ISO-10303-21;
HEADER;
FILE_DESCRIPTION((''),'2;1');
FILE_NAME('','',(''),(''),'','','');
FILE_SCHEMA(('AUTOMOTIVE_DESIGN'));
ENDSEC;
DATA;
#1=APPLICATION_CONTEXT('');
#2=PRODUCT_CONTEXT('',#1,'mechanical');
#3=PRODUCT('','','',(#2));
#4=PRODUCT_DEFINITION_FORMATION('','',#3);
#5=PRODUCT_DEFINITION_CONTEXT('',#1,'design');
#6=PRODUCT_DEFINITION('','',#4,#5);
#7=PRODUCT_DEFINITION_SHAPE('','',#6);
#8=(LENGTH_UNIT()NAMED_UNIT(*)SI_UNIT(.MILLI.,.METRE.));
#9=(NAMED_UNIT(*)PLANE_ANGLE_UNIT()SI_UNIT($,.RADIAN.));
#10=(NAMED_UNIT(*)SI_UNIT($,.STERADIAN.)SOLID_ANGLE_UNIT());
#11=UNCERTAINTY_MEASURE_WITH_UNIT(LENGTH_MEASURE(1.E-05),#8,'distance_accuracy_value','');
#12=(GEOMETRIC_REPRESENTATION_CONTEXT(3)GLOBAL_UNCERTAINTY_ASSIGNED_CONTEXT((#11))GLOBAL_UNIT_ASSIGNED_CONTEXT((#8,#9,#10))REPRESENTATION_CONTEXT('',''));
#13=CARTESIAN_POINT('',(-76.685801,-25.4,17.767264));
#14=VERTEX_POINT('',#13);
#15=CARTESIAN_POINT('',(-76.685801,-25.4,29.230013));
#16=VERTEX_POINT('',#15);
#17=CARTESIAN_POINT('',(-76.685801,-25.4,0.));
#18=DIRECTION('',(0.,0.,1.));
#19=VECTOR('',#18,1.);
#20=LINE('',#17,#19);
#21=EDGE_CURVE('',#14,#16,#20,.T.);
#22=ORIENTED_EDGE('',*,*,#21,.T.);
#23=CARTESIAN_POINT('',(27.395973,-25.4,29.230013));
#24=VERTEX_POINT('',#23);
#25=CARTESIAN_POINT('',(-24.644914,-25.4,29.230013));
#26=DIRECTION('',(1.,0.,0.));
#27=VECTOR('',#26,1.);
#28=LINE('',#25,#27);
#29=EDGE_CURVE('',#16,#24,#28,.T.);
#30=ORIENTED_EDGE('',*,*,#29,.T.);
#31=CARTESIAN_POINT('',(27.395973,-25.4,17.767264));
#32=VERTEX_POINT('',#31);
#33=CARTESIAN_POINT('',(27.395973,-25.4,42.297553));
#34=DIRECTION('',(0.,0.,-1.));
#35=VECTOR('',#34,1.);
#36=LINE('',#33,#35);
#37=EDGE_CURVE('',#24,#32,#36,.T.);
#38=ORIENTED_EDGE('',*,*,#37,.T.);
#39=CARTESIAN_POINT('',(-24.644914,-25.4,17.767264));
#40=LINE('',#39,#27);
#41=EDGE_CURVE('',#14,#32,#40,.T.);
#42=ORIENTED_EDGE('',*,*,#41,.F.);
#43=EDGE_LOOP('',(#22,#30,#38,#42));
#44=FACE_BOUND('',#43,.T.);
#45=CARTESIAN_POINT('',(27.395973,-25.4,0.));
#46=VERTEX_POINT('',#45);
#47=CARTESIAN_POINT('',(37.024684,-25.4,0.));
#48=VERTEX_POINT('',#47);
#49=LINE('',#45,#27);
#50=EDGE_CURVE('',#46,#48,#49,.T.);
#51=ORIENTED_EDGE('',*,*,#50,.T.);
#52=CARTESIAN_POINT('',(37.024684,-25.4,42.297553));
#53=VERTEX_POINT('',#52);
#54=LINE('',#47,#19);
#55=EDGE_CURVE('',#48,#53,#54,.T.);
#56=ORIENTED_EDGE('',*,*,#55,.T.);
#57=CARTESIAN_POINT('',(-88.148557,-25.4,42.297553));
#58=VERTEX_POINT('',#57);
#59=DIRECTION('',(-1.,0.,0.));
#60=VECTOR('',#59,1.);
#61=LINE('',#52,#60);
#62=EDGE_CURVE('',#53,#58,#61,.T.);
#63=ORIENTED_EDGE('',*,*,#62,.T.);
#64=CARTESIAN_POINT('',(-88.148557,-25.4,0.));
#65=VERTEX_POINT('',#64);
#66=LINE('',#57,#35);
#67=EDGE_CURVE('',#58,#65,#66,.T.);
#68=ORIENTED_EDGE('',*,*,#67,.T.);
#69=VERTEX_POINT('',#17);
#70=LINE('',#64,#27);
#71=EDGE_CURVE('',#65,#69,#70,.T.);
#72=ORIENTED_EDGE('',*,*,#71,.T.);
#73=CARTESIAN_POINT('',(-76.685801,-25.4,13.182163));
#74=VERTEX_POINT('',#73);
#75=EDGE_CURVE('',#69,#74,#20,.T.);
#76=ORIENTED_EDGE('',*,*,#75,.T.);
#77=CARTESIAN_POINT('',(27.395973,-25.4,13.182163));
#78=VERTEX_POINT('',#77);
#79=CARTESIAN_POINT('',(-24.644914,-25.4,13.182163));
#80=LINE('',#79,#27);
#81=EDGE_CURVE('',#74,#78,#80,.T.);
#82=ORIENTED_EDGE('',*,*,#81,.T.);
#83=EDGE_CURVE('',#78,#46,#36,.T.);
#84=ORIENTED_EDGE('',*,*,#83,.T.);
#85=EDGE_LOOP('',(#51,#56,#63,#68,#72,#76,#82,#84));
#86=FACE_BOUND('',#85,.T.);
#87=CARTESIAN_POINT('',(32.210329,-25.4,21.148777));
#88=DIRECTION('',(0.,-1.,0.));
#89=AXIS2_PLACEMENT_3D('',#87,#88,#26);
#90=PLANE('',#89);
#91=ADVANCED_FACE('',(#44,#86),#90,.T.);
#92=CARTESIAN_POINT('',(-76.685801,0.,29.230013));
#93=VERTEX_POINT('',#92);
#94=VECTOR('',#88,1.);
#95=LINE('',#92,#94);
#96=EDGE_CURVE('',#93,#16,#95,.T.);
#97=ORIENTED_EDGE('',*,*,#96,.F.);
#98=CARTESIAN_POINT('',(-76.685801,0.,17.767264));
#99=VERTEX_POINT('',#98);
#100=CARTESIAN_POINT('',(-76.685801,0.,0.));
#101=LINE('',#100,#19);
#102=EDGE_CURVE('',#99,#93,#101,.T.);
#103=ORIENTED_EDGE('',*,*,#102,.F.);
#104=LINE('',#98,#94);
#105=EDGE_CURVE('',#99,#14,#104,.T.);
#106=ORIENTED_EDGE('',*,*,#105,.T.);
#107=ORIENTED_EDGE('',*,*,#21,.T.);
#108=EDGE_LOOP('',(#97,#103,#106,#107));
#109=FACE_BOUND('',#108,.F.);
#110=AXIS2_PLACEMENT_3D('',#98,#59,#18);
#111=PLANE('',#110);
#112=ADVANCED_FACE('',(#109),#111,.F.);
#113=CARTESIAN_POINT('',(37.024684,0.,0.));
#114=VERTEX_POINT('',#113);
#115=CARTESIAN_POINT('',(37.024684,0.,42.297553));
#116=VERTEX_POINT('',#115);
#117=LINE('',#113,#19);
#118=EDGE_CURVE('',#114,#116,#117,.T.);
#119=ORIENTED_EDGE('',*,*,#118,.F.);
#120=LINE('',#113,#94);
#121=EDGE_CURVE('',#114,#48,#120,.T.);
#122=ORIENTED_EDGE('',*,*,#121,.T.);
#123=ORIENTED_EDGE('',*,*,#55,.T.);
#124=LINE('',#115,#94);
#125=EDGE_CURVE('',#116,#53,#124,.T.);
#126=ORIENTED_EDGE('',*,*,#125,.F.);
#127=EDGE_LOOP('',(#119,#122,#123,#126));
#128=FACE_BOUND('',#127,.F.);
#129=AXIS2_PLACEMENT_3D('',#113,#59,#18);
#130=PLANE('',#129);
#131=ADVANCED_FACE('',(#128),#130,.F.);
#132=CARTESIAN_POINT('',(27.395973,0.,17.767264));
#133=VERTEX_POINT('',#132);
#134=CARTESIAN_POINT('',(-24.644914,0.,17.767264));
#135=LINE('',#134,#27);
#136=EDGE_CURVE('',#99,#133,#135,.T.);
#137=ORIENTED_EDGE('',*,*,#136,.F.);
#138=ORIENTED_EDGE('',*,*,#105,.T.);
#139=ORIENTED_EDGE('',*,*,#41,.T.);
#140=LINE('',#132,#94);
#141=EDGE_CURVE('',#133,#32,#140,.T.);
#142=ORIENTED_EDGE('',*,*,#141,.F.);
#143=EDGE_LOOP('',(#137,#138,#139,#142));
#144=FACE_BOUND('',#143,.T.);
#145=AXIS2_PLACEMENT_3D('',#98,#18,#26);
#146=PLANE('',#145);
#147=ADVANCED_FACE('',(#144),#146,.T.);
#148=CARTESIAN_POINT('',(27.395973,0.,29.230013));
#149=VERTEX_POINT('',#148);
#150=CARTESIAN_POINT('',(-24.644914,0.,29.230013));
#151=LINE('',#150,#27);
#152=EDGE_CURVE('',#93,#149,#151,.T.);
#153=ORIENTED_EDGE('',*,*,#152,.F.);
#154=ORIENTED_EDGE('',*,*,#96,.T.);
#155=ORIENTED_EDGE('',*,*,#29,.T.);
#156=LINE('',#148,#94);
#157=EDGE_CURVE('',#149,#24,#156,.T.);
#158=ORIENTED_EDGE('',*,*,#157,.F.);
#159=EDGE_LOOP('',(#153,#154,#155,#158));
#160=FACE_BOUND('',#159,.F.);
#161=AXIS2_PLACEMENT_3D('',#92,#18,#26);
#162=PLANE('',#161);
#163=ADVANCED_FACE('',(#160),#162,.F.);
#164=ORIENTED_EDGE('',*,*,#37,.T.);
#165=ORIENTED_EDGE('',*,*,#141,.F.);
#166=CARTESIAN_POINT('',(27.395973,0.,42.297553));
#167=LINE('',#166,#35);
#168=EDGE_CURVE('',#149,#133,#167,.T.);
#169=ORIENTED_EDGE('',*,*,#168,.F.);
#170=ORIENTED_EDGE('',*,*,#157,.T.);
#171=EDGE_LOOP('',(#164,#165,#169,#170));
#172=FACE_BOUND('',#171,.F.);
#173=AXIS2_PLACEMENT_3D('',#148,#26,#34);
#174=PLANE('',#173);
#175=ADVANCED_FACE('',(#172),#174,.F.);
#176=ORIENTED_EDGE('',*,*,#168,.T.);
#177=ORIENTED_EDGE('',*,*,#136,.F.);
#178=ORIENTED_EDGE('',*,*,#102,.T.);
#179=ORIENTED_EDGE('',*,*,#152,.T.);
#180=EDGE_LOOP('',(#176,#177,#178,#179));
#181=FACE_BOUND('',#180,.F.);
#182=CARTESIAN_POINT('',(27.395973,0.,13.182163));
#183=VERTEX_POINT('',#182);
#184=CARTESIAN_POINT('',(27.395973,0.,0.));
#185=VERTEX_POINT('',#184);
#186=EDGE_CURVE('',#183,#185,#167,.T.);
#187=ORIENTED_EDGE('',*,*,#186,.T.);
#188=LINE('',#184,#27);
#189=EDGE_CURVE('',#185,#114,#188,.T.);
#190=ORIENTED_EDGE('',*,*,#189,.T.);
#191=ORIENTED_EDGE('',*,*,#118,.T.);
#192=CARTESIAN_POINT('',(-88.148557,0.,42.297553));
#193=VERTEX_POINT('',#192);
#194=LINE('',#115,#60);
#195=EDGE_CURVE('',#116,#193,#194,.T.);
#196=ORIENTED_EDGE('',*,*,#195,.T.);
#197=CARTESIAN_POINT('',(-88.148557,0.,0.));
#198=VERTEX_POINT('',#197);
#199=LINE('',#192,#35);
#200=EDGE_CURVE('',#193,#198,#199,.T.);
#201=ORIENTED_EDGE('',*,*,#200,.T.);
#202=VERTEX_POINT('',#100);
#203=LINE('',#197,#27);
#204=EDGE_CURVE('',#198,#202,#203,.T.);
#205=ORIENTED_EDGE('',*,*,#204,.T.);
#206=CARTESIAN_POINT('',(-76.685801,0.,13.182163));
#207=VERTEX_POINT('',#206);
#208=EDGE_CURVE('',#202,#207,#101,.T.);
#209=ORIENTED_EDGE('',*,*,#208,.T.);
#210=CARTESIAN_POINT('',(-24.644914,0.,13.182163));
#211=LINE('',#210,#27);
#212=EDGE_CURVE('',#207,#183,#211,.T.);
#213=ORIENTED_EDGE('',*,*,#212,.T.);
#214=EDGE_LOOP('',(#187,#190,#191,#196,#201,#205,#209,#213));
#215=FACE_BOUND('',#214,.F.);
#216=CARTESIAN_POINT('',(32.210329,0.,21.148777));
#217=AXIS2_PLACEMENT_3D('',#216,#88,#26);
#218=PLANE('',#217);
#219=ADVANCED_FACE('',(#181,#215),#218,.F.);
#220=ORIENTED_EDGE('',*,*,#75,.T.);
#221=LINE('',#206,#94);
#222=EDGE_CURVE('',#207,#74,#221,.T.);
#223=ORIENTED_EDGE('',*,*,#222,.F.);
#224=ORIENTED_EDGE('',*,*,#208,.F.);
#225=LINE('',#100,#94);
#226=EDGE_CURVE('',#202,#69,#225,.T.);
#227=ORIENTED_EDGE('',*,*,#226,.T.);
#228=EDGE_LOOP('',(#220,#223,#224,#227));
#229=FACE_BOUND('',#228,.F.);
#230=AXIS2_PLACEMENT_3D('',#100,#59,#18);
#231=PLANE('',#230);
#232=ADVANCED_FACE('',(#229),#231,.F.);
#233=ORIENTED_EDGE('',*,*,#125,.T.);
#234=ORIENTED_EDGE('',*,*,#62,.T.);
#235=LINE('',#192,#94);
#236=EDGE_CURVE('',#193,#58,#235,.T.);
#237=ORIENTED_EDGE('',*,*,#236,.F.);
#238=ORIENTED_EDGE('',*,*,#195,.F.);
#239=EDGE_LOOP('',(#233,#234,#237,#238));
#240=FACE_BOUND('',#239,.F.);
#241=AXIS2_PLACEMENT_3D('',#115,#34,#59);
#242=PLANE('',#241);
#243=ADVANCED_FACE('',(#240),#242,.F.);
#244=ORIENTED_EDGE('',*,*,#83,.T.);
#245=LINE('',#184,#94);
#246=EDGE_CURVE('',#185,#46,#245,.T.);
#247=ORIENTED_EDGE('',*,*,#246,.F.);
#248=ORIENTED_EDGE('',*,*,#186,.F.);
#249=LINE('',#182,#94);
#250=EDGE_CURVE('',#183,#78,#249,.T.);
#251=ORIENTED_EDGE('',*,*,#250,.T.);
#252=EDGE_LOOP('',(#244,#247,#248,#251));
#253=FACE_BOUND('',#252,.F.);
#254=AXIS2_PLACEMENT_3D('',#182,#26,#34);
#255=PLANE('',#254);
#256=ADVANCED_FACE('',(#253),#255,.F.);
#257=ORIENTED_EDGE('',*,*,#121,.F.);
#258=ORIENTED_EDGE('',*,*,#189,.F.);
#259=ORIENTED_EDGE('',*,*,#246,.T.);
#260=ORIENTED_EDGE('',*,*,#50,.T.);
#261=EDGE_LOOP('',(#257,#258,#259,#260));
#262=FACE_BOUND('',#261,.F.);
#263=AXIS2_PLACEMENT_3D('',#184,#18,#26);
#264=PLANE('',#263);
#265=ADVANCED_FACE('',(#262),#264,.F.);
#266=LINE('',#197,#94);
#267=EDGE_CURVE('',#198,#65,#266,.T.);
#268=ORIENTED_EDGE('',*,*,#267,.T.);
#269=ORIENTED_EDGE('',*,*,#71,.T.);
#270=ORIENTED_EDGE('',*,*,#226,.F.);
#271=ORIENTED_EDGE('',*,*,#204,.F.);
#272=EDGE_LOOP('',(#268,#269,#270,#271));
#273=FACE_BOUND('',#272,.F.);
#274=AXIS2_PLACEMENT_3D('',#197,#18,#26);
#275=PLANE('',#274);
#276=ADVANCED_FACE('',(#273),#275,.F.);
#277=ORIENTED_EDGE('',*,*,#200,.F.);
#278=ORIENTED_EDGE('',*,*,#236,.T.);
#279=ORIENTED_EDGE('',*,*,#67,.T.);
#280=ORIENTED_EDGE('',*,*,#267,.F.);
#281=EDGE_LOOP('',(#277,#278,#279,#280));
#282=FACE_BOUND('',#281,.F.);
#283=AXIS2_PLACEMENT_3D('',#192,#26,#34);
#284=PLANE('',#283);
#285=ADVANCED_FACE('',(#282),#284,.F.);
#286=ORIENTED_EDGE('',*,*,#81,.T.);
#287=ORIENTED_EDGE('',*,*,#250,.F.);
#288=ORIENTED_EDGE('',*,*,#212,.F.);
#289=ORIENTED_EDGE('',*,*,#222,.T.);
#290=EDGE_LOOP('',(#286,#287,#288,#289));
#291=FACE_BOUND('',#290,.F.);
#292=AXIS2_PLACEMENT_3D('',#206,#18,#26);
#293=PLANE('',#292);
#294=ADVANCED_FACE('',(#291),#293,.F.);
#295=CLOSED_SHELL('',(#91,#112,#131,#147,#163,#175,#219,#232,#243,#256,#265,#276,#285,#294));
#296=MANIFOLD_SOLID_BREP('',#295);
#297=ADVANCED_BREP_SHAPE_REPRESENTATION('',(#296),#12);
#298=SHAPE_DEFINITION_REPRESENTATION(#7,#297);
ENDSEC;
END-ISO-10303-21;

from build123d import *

# Parameters (mm, degrees)
F0_W     = 104.081774
F0_H     = 13.06754
F0_H_2   = 4.585101
F1_DEPTH = 25.4


with BuildPart() as f1:
    # F0 (on Front) → F1 (new body)
    with BuildSketch(Plane.XZ):
        Polygon((37.024684, 42.297553), (27.395973, 42.297553), (27.395973, 29.230013), (27.395973, 17.767264), (27.395973, 13.182163), (27.395973, 0), (37.024684, 0), align=None)
        with Locations((-24.644914, 35.763783)):
            Rectangle(F0_W, F0_H)
        Polygon((-76.685801, 29.230013), (-76.685801, 42.297553), (-88.148557, 42.297553), (-88.148557, 0), (-76.685801, 0), (-76.685801, 13.182163), (-76.685801, 17.767264), align=None)
        with Locations((-24.644914, 15.474714)):
            Rectangle(F0_W, F0_H_2)
    extrude(amount=F1_DEPTH)


solid = f1.part
